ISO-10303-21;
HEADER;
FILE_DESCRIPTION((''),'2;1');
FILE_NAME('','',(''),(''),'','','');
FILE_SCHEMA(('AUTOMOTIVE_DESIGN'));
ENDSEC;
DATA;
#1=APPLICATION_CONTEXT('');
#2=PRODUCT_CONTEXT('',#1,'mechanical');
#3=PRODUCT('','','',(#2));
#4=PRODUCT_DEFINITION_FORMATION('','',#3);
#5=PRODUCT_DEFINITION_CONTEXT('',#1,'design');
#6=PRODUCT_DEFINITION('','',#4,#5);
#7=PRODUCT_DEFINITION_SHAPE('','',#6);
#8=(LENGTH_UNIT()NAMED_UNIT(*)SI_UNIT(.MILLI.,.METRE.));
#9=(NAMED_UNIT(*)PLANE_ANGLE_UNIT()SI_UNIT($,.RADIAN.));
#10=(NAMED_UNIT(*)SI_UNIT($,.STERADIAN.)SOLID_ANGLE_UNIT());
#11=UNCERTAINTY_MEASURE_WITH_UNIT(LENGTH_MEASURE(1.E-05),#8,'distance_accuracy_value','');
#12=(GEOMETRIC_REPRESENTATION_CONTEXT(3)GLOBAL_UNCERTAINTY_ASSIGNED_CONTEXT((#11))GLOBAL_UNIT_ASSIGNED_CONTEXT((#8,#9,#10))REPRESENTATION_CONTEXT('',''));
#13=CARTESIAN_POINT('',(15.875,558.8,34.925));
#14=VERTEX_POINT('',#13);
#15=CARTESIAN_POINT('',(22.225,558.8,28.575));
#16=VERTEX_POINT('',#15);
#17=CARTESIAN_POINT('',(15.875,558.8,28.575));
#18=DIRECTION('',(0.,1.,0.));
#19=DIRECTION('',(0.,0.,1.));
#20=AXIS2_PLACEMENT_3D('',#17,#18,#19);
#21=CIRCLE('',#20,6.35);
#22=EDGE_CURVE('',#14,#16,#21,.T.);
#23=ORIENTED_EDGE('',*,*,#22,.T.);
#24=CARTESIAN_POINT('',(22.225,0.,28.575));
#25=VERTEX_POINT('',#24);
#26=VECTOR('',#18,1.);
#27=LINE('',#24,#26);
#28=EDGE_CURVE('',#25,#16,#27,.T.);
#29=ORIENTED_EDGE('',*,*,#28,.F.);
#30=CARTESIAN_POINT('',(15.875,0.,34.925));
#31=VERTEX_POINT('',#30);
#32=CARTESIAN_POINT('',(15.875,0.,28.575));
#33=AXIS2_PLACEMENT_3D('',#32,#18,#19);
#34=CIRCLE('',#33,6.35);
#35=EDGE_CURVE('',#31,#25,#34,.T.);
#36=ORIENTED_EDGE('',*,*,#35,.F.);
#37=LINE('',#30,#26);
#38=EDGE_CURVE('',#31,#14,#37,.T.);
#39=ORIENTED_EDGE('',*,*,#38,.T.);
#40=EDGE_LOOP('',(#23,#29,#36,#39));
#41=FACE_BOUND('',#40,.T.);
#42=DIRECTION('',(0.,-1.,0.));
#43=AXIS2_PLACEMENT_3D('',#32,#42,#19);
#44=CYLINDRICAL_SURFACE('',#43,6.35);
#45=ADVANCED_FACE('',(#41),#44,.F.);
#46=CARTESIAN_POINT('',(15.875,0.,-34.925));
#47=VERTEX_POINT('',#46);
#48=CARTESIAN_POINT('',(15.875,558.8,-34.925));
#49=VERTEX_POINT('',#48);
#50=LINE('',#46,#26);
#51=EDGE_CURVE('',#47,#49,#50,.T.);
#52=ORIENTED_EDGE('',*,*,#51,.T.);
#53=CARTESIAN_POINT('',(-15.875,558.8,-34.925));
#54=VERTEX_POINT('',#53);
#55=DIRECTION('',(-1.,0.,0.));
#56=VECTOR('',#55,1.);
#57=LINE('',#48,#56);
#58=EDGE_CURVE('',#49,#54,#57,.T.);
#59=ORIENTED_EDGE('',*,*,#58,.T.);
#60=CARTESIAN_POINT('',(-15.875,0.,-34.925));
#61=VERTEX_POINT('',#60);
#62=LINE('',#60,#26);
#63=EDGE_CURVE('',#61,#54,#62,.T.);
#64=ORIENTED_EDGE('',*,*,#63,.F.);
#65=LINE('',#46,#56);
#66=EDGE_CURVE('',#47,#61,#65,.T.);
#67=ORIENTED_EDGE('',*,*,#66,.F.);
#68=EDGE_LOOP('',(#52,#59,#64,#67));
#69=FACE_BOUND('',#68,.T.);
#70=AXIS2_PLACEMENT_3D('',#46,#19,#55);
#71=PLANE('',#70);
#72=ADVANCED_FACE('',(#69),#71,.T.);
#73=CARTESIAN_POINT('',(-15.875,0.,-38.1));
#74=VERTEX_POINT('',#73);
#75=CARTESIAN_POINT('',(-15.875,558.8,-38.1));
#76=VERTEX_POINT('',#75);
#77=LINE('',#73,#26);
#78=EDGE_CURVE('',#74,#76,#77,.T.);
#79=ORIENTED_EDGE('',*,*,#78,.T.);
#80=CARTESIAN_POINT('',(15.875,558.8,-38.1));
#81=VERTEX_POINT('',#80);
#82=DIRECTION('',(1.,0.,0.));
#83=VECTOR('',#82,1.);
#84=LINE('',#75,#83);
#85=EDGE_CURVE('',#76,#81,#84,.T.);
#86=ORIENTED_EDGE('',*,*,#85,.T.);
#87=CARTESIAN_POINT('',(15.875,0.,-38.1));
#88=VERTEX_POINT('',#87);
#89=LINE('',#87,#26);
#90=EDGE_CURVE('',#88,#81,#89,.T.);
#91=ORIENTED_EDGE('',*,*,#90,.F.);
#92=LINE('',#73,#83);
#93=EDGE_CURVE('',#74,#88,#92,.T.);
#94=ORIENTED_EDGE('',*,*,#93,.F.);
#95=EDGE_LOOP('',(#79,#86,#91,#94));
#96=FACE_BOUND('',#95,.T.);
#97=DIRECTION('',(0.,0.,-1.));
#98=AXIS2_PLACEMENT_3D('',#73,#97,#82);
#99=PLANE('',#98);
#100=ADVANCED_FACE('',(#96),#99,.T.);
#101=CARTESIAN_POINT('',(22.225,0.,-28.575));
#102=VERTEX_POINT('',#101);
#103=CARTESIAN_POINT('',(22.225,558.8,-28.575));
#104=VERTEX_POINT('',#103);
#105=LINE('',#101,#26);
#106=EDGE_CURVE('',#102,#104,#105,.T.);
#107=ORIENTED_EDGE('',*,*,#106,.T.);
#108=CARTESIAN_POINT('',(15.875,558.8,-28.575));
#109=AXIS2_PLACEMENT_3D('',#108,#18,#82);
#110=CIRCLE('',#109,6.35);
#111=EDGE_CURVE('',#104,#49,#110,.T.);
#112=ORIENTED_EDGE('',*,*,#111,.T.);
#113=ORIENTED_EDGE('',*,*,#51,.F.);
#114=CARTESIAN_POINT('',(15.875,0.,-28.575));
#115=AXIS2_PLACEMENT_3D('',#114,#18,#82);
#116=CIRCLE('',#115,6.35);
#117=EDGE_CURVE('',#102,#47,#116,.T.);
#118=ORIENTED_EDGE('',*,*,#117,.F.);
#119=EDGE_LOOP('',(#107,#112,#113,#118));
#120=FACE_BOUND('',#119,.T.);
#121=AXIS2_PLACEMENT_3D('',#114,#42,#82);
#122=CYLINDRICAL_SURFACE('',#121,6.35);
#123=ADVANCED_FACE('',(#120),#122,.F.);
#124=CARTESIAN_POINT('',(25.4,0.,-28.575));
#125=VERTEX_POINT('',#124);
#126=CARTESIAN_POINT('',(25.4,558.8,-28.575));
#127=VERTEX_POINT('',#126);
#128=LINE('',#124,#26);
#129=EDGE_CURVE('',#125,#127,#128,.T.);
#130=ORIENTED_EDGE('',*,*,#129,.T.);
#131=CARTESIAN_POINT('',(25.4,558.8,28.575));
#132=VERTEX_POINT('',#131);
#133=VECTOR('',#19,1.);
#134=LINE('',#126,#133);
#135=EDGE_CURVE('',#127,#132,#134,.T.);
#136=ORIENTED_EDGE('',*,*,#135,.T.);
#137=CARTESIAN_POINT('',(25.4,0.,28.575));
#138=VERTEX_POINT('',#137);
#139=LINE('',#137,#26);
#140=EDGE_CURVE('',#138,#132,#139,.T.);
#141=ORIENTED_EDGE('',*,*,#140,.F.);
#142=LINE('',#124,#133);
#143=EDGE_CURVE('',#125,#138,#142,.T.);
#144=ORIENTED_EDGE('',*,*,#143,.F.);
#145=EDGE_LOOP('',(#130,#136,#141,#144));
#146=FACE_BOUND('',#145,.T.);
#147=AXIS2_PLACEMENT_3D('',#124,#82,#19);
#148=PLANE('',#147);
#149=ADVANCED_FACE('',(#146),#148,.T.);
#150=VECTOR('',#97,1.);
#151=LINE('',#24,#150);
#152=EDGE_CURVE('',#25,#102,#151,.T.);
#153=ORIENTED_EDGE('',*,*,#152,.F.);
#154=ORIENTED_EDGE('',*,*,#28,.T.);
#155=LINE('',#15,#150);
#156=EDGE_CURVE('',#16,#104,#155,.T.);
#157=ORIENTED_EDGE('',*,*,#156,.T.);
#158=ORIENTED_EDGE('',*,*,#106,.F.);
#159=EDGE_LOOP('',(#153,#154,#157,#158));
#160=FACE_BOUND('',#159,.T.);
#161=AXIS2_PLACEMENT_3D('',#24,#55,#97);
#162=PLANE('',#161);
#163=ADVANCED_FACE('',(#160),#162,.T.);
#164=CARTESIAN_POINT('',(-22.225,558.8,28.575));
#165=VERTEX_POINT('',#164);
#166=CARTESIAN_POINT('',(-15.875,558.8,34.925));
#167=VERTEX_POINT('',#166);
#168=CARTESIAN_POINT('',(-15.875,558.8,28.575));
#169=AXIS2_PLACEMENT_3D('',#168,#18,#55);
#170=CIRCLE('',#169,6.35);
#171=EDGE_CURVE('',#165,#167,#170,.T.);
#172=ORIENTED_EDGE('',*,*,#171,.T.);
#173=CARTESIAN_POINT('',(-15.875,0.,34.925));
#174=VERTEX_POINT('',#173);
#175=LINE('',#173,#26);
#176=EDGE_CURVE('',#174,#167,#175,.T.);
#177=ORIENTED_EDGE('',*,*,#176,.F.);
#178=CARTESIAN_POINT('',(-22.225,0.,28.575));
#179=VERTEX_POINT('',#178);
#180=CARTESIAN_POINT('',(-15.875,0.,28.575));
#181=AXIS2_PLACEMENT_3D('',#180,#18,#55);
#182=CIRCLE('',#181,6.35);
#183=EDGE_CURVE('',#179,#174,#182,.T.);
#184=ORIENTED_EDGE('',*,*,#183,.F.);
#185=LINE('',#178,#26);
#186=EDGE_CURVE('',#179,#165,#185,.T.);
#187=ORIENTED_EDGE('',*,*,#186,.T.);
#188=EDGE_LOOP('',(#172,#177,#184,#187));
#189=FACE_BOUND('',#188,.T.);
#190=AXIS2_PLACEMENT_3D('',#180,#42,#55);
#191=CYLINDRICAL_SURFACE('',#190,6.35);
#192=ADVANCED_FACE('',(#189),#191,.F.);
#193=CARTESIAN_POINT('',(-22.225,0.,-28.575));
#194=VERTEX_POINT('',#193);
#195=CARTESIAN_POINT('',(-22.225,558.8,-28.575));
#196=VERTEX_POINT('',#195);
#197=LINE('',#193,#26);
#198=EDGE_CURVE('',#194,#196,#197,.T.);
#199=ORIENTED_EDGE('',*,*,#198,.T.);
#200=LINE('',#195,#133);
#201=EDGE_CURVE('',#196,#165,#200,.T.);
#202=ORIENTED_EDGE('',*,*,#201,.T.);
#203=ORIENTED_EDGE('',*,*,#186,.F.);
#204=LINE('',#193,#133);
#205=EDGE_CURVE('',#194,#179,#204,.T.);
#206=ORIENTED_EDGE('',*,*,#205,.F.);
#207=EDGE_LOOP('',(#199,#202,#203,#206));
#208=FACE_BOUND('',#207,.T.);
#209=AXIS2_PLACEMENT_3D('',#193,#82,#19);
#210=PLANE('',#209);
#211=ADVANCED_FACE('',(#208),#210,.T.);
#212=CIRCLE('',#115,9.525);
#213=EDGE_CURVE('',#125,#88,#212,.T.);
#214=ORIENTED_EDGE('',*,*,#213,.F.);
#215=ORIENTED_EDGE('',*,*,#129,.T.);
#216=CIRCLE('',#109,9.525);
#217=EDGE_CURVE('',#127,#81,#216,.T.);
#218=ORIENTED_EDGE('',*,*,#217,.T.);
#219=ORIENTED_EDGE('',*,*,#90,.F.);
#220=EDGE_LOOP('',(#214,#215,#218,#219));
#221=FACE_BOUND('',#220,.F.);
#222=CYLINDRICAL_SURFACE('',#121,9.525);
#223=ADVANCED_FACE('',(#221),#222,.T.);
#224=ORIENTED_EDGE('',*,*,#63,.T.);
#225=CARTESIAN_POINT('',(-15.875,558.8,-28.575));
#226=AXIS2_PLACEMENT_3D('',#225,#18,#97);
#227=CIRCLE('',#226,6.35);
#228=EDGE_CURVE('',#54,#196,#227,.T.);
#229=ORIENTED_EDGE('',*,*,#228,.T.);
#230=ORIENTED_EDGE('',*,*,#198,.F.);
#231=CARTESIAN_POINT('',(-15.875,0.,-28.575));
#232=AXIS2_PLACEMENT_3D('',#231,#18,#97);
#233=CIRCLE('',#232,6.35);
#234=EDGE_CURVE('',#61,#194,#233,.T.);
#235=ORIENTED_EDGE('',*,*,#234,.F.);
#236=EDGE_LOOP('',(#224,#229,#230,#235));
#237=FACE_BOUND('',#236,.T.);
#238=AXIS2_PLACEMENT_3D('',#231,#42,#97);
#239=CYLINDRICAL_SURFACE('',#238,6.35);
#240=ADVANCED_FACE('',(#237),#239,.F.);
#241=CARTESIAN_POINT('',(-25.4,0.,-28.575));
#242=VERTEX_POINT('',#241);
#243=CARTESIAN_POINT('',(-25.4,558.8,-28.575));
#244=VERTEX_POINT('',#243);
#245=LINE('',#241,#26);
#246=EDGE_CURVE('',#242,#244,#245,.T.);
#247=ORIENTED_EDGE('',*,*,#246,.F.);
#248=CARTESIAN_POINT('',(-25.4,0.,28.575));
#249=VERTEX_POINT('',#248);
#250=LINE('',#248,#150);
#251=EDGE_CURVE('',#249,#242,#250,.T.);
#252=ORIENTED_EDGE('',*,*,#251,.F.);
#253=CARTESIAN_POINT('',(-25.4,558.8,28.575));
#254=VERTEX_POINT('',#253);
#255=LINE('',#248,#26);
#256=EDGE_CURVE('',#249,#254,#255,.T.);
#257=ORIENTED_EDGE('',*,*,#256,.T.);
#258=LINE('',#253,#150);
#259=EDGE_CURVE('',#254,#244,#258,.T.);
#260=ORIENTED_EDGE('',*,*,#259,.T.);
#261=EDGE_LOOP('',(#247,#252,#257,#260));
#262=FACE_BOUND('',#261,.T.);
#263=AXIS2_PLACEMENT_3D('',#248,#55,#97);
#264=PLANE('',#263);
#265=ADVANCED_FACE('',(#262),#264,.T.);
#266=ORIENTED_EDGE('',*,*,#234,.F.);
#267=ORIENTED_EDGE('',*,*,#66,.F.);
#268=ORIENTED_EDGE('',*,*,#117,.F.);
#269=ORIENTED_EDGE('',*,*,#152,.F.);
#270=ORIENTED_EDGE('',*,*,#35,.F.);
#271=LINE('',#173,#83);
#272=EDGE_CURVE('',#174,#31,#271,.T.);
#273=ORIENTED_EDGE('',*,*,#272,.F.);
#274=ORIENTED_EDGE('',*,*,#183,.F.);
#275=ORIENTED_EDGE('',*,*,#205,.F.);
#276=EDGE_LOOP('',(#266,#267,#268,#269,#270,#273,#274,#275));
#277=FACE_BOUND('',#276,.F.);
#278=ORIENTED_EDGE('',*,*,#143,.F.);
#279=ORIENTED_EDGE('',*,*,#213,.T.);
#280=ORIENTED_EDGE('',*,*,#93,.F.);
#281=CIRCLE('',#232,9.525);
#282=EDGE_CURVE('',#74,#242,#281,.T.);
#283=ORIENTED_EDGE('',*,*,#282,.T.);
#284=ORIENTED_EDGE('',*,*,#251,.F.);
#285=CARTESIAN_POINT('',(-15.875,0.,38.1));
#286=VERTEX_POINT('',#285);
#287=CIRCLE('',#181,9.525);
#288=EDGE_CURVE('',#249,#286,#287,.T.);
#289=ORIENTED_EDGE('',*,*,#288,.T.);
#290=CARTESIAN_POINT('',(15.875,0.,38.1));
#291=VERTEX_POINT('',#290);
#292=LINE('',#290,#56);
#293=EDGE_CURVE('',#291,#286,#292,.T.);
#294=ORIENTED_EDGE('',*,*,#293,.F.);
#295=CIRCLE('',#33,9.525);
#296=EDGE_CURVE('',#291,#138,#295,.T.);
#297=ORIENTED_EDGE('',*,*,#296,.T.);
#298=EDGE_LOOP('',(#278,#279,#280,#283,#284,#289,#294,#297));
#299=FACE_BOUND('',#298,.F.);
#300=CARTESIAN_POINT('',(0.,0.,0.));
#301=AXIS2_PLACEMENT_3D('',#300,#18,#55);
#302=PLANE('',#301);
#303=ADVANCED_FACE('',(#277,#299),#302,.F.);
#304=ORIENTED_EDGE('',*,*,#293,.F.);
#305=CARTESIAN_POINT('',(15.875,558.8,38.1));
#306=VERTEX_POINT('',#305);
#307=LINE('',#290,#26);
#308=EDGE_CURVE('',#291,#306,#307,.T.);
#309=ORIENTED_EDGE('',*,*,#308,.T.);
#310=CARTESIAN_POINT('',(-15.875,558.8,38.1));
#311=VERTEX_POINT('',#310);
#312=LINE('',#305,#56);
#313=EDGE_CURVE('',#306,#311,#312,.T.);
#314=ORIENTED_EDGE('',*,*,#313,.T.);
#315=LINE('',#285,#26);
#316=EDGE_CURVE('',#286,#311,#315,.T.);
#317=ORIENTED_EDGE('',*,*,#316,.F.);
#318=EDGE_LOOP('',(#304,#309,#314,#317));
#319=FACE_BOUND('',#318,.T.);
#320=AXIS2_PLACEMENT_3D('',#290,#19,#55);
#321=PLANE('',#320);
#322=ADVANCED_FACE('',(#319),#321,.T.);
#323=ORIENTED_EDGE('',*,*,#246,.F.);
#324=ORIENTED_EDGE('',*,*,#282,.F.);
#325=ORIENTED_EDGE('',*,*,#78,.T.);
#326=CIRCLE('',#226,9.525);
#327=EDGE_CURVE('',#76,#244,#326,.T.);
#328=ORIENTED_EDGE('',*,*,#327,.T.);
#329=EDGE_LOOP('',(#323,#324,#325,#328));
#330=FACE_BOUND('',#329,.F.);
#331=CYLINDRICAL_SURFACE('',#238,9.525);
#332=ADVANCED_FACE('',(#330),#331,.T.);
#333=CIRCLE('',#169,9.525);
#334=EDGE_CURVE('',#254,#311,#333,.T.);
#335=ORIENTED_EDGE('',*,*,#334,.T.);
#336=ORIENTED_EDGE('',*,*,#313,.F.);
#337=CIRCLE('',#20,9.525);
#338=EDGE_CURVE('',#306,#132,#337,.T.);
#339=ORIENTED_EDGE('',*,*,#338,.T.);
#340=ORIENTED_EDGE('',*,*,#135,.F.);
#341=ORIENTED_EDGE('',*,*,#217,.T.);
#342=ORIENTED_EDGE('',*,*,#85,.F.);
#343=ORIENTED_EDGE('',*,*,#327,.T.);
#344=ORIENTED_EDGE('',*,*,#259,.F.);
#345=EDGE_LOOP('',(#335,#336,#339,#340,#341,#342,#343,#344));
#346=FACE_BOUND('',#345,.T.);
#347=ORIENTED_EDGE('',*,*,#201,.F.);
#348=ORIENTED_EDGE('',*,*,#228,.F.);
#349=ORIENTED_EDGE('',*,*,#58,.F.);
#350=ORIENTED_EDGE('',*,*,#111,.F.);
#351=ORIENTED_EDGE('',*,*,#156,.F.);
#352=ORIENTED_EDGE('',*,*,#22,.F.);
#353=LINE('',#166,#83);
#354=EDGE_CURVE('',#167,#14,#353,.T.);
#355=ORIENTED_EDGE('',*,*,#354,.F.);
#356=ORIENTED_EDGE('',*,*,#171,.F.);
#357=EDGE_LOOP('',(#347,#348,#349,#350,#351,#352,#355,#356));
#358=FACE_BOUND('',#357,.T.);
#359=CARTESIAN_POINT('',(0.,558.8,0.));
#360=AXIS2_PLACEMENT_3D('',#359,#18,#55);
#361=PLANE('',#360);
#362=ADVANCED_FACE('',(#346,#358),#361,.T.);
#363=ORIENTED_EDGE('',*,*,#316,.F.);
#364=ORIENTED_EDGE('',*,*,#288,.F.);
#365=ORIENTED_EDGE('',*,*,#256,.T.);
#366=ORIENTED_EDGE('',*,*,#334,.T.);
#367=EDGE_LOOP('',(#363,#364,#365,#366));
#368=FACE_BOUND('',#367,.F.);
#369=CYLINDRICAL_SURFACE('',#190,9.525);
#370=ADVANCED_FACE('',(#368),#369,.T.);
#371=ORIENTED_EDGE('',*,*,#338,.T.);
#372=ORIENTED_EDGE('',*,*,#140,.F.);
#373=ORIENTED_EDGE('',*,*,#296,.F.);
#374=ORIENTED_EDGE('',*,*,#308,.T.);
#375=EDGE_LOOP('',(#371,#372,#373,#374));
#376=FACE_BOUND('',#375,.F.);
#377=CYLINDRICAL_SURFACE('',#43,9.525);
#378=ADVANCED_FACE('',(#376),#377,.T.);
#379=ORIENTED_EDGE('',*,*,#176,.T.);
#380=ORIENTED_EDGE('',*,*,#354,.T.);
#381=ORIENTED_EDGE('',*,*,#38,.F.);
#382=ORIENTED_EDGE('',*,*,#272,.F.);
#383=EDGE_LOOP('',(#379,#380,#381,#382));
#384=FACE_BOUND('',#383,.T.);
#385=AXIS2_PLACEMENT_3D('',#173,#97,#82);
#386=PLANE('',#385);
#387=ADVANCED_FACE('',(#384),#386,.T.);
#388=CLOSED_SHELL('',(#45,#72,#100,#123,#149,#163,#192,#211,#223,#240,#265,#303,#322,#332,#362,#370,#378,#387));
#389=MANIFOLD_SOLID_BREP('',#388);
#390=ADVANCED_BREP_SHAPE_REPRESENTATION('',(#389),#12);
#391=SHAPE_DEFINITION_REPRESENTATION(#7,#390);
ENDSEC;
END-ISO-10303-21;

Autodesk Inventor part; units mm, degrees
ref_plane "YZ Plane" through (0, 0, 0) normal (1, 0, 0) x (0, 1, 0)
ref_plane "XZ Plane" through (0, 0, 0) normal (0, 1, 0) x (-1, 0, 0)
ref_plane "XY Plane" through (0, 0, 0) normal (0, 0, 1) x (1, 0, 0)
sketch "Sketch1" plane through (0, 0, 0) normal (0, 1, 0) x (-1, 0, 0)
  line L0 (-15.875, 38.1) -> (15.875, 38.1)
  line L1 (25.4, 28.575) -> (25.4, -28.575)
  line L2 (15.875, -38.1) -> (-15.875, -38.1)
  line L3 (-25.4, -28.575) -> (-25.4, 28.575)
  line L4 (-25.4, 38.1) -> (25.4, -38.1) construction
  line L5 (25.4, 38.1) -> (-25.4, -38.1) construction
  arc A0 (25.4, 28.575) -> (15.875, 38.1) centre (15.875, 28.575) ccw
  arc A1 (-15.875, 38.1) -> (-25.4, 28.575) centre (-15.875, 28.575) ccw
  arc A2 (-25.4, -28.575) -> (-15.875, -38.1) centre (-15.875, -28.575) ccw
  arc A3 (15.875, -38.1) -> (25.4, -28.575) centre (15.875, -28.575) ccw
  line L6 (22.225, -28.575) -> (22.225, 28.575)
  arc A4 (22.225, 28.575) -> (15.875, 34.925) centre (15.875, 28.575) ccw
  line L7 (15.875, 34.925) -> (-15.875, 34.925)
  arc A5 (-15.875, 34.925) -> (-22.225, 28.575) centre (-15.875, 28.575) ccw
  line L8 (-22.225, 28.575) -> (-22.225, -28.575)
  arc A6 (-22.225, -28.575) -> (-15.875, -34.925) centre (-15.875, -28.575) ccw
  line L9 (-15.875, -34.925) -> (15.875, -34.925)
  arc A7 (15.875, -34.925) -> (22.225, -28.575) centre (15.875, -28.575) ccw
  point P0 (0, 0)
  dimension "d0" = 50.8
  dimension "d1" = 76.2
  dimension "d2" = 9.525
  dimension "d3" = 3.175
extrude "Extrusion1" add sketch "Sketch1" along normal blind 558.8
equation "\"d0\" = stockHeight"
equation "\"d1\" = stockWidth"
equation "\"d2\" = stockRad"
equation "\"d3\" = stockGuage"
equation "\"height\" = 203.2"
equation "\"shaftDiam\" = 6.35"
equation "\"shaftSpace\" = 1.5875"
equation "\"stageSpace\" = 2.54"
equation "\"stageAngle\" = 15deg"
equation "\"stockHeight\" = 50.8"
equation "\"stockWidth\" = 76.2"
equation "\"stockRad\" = 9.525"
equation "\"stockGuage\" = 3.175"
equation "\"groundActu\" = 304.8"
equation "\"baseWidth\" = 1066.8"
equation "\"baseDepth\" = 254"
equation "\"capThickness\" = 3.175"
equation "\"sup1Ang\" = 22.619865deg"
equation "\"sup1Len\" = 660.4"
equation "\"supVertLen\" = 955.13561"
equation "\"sup2Ang\" = 8.959949deg"
equation "\"sup2Len\" = 2079.37366"
equation "\"supSideAng\" = 19.376933deg"
equation "\"supSideLen\" = 1531.12879"
equation "\"FlangeDiam\" = 12.7"
equation "\"bearingDiam\" = 9.5504"
equation "\"FlangeDepth\" = 1.5875"
equation "\"smallFilet\" = 0.39687"
equation "\"thickness\" = 12.7"
equation "\"ringDiam\" = 96.46608"
properties part number "vertical bar" material "Aluminum 6061"
